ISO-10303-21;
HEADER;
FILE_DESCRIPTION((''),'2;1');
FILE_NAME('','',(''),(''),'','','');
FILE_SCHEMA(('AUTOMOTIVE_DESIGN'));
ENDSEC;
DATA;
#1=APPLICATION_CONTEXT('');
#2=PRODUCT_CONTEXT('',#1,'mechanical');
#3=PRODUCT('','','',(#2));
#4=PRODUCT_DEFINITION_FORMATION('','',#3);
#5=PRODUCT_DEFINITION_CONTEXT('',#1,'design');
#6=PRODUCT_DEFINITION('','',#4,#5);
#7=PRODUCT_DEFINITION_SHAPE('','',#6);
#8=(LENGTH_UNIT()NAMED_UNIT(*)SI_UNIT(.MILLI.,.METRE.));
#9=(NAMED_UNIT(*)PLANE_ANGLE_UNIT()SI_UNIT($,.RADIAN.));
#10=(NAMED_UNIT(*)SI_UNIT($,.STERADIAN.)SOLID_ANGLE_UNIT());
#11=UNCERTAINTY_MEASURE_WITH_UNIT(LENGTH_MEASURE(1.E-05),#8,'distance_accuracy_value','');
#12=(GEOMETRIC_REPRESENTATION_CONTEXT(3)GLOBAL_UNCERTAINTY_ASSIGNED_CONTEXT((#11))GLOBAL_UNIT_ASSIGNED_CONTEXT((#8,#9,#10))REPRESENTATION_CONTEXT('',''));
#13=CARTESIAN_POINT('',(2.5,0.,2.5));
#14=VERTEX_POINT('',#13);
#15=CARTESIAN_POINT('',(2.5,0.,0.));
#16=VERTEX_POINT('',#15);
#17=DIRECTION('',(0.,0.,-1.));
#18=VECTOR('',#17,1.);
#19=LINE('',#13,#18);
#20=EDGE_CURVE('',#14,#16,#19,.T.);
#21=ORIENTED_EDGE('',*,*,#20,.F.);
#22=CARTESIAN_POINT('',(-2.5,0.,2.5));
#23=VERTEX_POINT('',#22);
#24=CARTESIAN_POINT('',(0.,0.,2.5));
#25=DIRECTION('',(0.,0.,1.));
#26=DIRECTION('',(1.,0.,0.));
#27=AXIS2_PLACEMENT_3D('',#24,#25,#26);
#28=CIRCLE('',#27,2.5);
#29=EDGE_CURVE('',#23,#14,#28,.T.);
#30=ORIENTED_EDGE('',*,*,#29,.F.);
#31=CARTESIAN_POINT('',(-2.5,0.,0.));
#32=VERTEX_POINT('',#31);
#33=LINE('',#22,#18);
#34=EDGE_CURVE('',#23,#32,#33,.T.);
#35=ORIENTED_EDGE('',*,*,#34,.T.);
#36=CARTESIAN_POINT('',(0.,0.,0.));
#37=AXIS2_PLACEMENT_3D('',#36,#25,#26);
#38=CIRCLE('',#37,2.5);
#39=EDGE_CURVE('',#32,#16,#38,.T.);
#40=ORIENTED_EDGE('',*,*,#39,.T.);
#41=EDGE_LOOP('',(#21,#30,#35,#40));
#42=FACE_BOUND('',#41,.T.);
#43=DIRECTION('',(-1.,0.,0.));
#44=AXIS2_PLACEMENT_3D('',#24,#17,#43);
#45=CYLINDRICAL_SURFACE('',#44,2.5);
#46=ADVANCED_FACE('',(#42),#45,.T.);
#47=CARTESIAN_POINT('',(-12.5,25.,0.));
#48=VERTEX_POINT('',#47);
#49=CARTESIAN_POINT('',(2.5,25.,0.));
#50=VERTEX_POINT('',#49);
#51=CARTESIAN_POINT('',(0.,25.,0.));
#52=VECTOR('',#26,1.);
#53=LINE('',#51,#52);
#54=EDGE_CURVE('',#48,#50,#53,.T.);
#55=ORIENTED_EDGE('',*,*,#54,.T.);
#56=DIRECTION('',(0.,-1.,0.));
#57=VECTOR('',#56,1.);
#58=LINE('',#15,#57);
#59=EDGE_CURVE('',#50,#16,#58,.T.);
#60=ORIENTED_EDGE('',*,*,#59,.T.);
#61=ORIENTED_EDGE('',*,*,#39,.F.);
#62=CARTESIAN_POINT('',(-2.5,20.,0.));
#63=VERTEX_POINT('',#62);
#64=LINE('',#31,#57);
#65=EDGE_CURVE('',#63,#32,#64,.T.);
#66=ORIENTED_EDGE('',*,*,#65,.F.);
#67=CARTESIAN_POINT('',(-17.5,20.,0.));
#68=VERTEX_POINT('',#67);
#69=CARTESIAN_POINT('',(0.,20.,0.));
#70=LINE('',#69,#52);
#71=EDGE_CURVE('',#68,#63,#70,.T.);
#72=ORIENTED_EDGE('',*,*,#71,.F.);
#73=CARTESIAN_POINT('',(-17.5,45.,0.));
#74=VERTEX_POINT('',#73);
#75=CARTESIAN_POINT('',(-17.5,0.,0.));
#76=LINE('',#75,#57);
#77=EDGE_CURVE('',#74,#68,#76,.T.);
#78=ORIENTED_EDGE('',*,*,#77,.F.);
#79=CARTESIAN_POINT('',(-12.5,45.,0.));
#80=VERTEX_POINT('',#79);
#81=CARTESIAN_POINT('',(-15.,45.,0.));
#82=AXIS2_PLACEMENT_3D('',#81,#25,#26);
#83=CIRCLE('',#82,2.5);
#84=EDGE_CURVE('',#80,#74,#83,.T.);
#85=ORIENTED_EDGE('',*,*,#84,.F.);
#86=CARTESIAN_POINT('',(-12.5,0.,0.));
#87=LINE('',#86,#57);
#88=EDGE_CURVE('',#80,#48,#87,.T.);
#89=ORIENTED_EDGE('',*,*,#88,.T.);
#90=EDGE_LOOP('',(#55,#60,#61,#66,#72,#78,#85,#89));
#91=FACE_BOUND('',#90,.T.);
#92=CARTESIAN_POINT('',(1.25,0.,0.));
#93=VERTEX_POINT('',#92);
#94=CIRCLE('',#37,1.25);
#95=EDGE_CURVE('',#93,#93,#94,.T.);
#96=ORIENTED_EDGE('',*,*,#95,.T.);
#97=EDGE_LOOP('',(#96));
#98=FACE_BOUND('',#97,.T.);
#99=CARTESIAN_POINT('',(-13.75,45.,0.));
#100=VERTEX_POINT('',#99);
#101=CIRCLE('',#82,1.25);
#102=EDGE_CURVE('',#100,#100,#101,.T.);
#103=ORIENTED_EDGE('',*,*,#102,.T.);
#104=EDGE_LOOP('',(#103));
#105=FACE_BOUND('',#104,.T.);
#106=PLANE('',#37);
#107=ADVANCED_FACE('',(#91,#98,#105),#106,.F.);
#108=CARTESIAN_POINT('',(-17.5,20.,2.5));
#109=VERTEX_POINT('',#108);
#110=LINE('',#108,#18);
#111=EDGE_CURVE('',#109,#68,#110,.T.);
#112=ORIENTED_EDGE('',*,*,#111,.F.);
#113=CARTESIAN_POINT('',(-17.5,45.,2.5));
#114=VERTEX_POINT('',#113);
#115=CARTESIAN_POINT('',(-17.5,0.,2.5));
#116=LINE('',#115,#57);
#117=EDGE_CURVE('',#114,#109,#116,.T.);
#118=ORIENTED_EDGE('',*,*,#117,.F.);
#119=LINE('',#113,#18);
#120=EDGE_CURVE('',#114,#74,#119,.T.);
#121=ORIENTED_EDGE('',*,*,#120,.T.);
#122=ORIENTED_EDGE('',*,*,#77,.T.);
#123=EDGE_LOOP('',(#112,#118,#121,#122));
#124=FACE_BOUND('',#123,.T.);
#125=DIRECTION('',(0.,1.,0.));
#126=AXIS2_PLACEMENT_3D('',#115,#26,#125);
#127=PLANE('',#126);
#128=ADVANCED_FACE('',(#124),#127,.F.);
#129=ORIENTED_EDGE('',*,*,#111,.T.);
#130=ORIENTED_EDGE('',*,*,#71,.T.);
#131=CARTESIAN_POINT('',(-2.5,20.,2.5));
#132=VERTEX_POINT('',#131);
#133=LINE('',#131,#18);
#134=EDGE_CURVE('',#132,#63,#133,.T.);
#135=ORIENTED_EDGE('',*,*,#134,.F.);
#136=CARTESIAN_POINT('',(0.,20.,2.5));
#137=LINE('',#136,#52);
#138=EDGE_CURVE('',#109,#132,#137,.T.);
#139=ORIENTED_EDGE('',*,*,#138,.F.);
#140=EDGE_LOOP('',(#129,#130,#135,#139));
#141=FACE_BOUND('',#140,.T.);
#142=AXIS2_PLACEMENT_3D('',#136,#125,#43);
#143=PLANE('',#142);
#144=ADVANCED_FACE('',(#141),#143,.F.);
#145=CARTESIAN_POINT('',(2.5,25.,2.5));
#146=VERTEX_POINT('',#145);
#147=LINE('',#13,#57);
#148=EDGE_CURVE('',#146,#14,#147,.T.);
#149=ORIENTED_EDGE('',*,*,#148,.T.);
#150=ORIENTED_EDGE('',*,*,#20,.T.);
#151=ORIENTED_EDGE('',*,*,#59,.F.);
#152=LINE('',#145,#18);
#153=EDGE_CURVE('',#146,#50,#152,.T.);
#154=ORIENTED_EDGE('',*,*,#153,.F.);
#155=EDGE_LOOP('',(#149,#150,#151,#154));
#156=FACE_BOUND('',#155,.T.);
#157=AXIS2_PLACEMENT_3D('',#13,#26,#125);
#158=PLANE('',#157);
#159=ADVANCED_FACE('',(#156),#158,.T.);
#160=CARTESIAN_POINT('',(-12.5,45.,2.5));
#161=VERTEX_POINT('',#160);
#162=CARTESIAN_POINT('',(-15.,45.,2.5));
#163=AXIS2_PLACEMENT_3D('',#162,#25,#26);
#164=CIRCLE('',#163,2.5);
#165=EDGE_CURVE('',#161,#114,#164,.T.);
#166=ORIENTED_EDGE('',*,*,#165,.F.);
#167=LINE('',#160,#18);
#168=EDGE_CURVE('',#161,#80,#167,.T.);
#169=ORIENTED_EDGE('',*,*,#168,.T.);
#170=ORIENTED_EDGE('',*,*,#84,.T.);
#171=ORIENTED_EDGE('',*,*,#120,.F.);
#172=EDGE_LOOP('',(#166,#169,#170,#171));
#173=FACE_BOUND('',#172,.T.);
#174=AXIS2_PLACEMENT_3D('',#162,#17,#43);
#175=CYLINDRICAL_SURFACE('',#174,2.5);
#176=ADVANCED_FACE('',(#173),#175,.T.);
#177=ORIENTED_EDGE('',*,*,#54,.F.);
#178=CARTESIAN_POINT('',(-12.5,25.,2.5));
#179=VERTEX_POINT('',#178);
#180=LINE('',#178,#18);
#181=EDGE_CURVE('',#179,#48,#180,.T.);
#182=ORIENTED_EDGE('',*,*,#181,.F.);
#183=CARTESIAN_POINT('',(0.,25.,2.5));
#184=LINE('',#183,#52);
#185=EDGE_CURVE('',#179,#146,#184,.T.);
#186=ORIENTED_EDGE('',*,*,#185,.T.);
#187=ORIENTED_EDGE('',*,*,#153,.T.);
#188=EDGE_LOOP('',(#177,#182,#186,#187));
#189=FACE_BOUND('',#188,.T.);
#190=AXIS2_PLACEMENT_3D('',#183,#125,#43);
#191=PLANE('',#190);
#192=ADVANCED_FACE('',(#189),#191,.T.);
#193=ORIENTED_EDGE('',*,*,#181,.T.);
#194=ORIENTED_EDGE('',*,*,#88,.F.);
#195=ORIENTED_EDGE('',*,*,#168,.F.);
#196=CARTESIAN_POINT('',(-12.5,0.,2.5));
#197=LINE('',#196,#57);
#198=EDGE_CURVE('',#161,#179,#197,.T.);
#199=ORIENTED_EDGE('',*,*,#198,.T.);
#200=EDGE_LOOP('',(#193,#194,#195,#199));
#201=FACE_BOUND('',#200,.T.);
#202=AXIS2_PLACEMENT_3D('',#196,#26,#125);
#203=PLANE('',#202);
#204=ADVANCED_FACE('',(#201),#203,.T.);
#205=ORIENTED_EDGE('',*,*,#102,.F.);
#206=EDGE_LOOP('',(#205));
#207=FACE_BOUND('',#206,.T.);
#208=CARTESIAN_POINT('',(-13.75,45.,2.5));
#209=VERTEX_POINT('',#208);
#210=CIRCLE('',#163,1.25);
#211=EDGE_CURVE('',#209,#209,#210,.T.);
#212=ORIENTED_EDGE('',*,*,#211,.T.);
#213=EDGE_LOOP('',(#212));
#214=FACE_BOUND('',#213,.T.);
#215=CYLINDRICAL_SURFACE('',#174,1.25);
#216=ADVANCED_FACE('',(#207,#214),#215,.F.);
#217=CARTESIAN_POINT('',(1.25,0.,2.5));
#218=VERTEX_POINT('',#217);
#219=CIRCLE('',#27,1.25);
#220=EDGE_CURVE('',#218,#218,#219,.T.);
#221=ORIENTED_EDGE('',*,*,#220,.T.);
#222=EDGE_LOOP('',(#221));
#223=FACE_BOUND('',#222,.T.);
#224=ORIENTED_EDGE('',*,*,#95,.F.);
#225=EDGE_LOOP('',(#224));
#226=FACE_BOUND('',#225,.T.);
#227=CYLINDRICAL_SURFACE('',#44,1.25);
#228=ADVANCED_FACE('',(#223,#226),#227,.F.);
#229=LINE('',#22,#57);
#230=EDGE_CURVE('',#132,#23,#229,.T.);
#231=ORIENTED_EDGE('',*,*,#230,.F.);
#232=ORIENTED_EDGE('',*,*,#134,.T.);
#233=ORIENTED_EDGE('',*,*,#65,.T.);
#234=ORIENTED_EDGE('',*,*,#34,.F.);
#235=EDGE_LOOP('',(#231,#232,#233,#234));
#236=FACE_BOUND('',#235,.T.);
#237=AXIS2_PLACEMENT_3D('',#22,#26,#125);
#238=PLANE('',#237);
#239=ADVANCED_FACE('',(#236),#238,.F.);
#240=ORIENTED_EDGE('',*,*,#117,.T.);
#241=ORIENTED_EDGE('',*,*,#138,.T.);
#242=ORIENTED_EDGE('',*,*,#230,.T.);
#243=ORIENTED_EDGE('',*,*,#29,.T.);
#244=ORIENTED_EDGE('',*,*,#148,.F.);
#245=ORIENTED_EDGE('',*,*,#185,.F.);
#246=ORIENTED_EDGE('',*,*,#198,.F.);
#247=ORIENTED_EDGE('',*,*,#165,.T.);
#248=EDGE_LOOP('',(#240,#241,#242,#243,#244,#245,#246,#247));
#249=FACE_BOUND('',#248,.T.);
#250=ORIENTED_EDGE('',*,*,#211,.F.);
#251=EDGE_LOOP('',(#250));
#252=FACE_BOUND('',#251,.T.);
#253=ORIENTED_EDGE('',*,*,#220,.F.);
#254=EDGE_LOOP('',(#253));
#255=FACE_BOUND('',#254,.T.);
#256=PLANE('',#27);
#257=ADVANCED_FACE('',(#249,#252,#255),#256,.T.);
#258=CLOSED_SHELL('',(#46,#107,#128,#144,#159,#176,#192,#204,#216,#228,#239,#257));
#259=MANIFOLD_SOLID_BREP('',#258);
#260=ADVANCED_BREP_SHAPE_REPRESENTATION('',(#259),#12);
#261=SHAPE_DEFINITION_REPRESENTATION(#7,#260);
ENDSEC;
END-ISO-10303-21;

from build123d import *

# Parameters (mm, degrees)
SKETCH2_R           = 2.5
SKETCH2_R_2         = 1.25
BOSS_EXTRUDE2_DEPTH = 2.5


with BuildPart() as part:
    # Sketch2 → Boss-Extrude2 (new body)
    # profile 1 of 3: a face of its own
    with BuildSketch(Plane.XY):
        with BuildLine():
            Line((-12.5, 25), (-12.5, 45))
            ThreePointArc((-12.5, 45), (-15, 42.5), (-17.5, 45))
            Line((-17.5, 45), (-17.5, 20))
            Line((-17.5, 20), (-2.5, 20))
            Line((-2.5, 20), (-2.5, 0))
            ThreePointArc((-2.5, 0), (0, 2.5), (2.5, 0))
            Line((2.5, 0), (2.5, 25))
            Line((2.5, 25), (-12.5, 25))
        make_face()
    # profile 2 of 3: a face of its own
    with BuildSketch(Plane.XY):
        with Locations((-15, 45)):
            Circle(SKETCH2_R)
        with Locations((-15, 45)):
            Circle(SKETCH2_R_2, mode=Mode.SUBTRACT)
    # profile 3 of 3: a face of its own
    with BuildSketch(Plane.XY):
        Circle(SKETCH2_R)
        Circle(SKETCH2_R_2, mode=Mode.SUBTRACT)
    extrude(amount=BOSS_EXTRUDE2_DEPTH)


solid = part.part
